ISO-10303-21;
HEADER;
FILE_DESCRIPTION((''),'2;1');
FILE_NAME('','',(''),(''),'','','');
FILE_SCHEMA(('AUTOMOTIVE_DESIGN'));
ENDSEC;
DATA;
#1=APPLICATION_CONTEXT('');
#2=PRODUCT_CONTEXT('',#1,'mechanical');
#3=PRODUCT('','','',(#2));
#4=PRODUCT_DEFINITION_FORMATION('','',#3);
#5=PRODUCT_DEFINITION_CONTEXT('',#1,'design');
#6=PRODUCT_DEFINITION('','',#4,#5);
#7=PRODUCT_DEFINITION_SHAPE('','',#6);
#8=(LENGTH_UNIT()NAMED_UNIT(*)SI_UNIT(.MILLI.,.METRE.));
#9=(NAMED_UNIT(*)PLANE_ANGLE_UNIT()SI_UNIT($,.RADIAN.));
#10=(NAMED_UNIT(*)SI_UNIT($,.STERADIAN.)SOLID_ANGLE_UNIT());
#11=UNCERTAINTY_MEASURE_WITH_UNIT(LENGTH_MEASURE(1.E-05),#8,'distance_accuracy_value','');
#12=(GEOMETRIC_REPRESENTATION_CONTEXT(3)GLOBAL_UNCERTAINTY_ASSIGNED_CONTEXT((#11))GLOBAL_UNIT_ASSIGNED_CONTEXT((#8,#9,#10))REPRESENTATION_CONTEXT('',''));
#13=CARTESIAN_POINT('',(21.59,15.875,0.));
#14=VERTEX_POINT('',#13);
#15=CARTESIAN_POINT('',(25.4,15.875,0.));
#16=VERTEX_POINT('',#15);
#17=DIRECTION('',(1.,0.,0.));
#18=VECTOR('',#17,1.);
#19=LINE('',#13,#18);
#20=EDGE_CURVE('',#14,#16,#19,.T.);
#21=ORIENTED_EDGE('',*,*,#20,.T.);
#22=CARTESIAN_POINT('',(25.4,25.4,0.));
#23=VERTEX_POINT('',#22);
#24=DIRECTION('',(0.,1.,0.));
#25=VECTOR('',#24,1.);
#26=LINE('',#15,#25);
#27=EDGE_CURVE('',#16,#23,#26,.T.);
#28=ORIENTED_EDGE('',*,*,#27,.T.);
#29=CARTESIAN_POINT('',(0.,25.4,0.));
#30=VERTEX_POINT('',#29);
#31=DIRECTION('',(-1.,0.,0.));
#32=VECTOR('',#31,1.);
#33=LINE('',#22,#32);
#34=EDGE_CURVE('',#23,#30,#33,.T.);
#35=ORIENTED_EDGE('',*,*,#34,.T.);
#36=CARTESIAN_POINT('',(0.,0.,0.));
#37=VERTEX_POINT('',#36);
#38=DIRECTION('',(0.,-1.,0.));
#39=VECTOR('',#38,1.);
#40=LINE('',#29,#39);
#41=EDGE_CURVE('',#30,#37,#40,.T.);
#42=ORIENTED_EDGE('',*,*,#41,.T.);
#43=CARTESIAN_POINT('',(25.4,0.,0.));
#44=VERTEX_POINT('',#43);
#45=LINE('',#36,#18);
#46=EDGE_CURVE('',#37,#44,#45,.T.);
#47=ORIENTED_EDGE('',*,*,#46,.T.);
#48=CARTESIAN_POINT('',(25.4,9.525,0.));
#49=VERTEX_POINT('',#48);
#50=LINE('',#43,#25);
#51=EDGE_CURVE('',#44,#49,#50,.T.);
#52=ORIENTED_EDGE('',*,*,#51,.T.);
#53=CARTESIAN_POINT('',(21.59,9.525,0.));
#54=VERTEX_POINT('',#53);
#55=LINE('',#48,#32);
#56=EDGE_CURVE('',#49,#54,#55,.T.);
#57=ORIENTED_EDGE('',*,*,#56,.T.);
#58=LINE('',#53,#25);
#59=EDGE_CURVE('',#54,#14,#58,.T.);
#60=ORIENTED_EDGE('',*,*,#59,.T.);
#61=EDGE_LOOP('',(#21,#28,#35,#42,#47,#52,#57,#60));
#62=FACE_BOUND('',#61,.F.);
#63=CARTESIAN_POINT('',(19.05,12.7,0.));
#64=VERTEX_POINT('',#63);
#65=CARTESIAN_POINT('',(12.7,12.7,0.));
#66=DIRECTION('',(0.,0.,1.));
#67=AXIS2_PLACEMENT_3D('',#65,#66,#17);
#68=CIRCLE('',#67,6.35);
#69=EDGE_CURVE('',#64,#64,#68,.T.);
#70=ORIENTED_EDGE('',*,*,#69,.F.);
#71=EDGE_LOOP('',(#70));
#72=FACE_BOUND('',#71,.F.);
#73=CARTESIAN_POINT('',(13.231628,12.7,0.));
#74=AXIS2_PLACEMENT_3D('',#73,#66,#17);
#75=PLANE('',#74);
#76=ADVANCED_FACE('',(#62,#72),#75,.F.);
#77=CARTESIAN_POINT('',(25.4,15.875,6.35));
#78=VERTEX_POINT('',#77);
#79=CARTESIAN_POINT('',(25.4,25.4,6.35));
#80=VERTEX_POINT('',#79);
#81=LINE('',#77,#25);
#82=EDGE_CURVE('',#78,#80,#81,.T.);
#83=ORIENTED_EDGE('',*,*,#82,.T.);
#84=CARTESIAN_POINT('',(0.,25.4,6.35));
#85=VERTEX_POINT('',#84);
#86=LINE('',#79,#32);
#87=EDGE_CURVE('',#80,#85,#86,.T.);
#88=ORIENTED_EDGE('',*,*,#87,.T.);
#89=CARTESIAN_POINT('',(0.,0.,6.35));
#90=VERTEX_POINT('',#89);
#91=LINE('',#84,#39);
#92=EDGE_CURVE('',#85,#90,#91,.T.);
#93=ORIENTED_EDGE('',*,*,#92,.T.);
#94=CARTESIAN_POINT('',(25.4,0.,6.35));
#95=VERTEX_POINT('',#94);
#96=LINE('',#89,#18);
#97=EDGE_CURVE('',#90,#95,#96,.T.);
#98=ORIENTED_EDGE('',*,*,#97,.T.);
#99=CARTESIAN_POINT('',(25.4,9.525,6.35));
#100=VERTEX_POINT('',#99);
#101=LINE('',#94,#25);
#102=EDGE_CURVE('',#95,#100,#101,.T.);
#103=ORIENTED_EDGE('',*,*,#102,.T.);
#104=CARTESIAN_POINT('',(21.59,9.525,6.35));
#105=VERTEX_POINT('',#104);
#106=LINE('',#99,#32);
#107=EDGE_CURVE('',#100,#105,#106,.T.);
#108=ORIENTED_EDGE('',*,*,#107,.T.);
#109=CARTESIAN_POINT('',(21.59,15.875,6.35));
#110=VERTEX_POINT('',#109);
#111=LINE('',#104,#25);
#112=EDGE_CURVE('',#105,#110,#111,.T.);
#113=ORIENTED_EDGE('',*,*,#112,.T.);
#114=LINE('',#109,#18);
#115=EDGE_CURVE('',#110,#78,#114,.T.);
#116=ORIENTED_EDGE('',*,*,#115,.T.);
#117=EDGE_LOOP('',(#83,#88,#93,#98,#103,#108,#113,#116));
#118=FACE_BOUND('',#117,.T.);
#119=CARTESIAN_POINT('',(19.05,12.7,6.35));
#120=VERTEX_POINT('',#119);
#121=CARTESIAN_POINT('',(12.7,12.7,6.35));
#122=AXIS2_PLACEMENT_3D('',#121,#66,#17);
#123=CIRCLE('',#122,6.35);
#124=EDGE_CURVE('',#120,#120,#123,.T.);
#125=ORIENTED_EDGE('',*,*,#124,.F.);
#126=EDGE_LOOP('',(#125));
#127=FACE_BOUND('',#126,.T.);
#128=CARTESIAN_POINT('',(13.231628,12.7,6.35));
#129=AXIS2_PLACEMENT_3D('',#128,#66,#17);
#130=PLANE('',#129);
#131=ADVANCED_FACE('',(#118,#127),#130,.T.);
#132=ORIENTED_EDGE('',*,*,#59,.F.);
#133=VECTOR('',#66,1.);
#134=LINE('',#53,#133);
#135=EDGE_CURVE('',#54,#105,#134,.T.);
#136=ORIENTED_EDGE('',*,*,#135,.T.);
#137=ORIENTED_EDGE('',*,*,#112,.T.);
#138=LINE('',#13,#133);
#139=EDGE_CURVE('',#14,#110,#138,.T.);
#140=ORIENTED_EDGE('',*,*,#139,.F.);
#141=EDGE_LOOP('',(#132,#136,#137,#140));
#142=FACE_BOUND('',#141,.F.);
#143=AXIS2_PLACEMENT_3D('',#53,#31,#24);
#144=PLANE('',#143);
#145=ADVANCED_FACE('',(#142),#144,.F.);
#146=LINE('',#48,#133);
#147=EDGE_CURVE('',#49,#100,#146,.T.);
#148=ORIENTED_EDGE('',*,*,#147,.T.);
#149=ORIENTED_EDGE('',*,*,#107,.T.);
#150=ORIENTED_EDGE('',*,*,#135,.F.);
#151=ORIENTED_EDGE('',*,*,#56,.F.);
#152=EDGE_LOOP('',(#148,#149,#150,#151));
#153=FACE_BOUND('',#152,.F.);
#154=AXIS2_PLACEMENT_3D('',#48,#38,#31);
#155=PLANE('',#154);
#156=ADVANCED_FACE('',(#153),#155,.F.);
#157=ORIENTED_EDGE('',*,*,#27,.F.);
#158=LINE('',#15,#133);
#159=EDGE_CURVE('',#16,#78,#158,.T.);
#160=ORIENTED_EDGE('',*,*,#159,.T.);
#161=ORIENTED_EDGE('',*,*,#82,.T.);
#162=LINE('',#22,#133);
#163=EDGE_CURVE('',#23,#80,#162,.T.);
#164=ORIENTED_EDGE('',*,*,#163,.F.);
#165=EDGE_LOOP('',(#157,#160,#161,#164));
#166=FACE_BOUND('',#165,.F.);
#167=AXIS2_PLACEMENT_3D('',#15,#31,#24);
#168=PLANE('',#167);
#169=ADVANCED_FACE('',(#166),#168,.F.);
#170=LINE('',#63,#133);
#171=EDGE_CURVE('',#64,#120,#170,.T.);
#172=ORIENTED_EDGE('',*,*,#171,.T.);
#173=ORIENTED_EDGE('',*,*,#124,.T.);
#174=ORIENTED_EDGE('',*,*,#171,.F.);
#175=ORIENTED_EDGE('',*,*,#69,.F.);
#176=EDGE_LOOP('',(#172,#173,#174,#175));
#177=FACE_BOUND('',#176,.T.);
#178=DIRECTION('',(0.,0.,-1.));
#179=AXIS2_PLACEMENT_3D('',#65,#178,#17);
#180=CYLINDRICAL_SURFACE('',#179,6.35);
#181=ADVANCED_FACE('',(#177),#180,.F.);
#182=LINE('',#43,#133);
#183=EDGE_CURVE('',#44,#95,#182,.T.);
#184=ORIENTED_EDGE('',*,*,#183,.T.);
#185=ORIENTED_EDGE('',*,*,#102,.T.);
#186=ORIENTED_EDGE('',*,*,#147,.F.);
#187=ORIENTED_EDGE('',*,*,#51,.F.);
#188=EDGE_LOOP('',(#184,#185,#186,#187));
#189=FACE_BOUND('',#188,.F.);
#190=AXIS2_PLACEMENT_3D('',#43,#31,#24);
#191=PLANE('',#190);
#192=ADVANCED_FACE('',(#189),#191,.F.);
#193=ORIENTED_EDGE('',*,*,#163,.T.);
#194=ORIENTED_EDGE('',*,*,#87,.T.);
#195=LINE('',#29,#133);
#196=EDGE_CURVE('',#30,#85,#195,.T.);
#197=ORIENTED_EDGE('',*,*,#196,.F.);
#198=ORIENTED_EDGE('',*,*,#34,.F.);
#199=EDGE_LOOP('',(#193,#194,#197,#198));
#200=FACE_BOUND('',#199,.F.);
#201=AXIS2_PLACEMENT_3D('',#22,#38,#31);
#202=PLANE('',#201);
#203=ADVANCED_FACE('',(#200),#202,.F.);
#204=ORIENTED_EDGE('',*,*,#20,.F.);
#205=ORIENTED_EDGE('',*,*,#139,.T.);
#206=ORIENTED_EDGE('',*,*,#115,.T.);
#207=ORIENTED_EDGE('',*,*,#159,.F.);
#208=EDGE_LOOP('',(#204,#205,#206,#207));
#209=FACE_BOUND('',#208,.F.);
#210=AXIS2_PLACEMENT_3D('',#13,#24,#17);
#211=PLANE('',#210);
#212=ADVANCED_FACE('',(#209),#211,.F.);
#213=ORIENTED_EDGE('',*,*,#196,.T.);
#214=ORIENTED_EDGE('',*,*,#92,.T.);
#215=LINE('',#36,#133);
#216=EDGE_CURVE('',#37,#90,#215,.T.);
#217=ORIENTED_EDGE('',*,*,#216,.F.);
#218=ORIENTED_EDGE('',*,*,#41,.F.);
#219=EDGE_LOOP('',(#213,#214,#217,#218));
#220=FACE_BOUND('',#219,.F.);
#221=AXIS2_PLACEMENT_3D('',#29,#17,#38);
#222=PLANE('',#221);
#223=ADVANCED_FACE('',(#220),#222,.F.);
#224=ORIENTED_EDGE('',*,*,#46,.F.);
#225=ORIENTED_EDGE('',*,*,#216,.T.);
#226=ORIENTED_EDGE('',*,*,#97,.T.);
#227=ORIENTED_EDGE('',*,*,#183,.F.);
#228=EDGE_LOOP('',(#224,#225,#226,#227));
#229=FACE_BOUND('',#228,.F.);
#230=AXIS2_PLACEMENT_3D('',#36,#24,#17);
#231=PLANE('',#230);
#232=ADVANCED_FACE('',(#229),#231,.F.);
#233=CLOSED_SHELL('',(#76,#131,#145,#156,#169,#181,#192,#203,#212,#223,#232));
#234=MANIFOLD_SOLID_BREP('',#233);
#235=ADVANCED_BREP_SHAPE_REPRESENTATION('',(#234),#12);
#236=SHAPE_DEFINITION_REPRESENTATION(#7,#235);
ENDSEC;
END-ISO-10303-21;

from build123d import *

# Parameters (mm, degrees)
F0_R     = 6.35
F1_DEPTH = 6.35


with BuildPart() as f1:
    # F0 (on Top) → F1 (new body)
    with BuildSketch(Plane.XY):
        Polygon((0, 25.4), (0, 0), (25.4, 0), (25.4, 9.525), (21.59, 9.525), (21.59, 15.875), (25.4, 15.875), (25.4, 25.4), align=None)
        with Locations((12.7, 12.7)):
            Circle(F0_R, mode=Mode.SUBTRACT)
    extrude(amount=F1_DEPTH)


solid = f1.part
